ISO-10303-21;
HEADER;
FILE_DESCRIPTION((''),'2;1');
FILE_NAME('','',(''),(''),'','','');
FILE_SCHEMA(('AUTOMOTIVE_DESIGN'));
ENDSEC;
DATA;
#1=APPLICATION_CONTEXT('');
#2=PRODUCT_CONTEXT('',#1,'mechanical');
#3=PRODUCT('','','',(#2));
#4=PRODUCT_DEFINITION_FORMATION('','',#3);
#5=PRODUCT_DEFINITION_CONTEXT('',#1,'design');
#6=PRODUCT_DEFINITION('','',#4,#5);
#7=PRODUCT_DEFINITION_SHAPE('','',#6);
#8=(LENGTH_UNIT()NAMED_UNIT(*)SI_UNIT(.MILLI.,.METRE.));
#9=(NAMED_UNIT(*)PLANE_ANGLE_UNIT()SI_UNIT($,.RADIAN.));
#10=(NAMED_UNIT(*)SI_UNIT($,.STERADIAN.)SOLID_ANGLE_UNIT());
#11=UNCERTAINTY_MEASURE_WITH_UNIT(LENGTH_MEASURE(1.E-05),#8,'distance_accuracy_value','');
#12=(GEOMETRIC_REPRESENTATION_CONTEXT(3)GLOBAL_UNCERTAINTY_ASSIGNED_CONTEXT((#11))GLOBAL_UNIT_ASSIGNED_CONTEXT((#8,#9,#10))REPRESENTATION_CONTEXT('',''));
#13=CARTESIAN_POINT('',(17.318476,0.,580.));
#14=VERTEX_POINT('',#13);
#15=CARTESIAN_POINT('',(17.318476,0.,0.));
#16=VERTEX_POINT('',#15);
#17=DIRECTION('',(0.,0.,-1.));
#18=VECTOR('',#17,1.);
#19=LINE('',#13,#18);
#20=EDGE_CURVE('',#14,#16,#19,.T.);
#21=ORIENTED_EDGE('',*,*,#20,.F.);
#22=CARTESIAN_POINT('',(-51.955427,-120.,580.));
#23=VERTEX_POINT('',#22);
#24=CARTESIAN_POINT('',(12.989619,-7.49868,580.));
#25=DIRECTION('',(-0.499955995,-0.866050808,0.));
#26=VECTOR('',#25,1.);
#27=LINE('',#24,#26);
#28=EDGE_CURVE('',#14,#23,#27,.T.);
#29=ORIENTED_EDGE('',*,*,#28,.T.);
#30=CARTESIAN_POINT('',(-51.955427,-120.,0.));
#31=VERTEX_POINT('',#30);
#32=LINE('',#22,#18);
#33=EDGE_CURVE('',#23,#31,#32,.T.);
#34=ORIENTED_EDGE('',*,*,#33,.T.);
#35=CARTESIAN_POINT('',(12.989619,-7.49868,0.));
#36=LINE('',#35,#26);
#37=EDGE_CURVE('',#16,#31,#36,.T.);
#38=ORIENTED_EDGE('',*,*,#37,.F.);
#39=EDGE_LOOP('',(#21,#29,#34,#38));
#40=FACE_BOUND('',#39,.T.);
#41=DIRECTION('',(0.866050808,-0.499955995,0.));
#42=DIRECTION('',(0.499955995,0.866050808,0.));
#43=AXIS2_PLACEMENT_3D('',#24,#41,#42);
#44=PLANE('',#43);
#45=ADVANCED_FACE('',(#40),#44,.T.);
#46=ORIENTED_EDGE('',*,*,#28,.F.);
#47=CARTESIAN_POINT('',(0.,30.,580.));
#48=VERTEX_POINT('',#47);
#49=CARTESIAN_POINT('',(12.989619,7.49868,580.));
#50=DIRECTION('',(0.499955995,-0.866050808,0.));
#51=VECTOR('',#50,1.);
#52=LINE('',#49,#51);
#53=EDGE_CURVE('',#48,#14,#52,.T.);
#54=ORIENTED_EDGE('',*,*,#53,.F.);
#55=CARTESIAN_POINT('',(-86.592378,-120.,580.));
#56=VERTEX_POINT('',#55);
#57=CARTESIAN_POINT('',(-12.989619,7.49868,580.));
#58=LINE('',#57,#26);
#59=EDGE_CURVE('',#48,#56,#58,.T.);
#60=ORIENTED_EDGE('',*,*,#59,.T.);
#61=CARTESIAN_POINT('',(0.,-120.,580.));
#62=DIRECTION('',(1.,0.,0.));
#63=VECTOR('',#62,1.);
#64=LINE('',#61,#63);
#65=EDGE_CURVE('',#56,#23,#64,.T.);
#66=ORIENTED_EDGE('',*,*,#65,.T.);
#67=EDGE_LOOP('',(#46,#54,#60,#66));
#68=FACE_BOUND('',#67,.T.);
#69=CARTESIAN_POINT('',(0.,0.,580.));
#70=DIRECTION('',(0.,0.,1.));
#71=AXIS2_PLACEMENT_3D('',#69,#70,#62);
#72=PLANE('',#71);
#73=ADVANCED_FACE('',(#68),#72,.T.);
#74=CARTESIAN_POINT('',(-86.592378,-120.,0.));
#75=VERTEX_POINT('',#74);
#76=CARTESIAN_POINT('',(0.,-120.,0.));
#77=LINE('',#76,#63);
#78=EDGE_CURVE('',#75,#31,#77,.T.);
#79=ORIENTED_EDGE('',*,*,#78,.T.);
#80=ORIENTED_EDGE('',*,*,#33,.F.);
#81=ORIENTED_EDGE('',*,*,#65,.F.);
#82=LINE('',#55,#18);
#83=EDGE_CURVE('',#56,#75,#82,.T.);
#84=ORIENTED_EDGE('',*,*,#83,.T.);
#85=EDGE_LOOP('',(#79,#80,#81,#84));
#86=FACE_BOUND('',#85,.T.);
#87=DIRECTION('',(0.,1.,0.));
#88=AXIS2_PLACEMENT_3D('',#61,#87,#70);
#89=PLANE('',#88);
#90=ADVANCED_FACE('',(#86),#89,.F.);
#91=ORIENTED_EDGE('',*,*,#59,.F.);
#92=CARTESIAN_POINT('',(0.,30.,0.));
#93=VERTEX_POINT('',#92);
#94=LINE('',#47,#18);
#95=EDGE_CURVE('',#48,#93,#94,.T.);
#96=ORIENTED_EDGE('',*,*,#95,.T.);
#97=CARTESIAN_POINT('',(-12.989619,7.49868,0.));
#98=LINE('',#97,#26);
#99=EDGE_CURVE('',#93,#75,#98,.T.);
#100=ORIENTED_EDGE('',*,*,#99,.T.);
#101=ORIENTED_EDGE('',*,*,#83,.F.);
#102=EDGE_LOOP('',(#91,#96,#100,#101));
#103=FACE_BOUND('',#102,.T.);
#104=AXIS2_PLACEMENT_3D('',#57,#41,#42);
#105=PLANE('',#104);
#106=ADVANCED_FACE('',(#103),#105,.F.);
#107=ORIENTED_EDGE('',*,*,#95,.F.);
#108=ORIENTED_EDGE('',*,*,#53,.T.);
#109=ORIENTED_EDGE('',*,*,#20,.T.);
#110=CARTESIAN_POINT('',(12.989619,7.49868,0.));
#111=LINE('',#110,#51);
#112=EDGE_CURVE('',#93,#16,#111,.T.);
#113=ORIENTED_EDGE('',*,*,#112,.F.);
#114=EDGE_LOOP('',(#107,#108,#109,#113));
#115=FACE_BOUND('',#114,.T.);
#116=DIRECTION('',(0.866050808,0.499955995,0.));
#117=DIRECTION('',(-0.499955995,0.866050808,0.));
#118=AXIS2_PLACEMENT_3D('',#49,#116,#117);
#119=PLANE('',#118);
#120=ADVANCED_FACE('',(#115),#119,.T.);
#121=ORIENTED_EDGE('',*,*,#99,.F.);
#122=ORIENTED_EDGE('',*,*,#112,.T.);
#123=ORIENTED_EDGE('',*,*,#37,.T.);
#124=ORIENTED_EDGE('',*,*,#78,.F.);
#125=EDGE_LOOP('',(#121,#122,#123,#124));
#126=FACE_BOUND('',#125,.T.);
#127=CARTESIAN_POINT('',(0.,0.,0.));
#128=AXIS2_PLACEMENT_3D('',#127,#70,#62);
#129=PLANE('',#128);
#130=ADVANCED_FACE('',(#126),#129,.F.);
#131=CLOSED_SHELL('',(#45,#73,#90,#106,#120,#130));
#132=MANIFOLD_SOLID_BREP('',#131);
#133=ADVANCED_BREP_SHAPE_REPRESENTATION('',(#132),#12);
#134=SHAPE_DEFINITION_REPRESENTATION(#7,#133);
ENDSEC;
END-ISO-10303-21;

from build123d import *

# Parameters (mm, degrees)
BOSS_EXTRU_1_DEPTH      = 580
ESQUISSE2_R             = 100
ESQUISSE2_R_2           = 31.5
ENL_V_MAT_EXTRU_1_DEPTH = 150


with BuildPart() as part:
    # Esquisse1 → Boss.-Extru.1 (new body)
    with BuildSketch(Plane.XY):
        Polygon((17.318475684, 0), (0, 30), (-86.592378418, -120), (-51.955427051, -120), align=None)
    extrude(amount=BOSS_EXTRU_1_DEPTH)

    # Esquisse2 → Enlèv. mat.-Extru.1 (cut)
    with BuildSketch(Plane(origin=(0, 30, 0), x_dir=(1, 0, 0), z_dir=(0, 1, 0))):
        with Locations((118.403810791, -290)):
            Circle(ESQUISSE2_R)
        with Locations((118.403810791, -100)):
            Circle(ESQUISSE2_R_2)
    extrude(amount=-ENL_V_MAT_EXTRU_1_DEPTH, mode=Mode.SUBTRACT)


solid = part.part
